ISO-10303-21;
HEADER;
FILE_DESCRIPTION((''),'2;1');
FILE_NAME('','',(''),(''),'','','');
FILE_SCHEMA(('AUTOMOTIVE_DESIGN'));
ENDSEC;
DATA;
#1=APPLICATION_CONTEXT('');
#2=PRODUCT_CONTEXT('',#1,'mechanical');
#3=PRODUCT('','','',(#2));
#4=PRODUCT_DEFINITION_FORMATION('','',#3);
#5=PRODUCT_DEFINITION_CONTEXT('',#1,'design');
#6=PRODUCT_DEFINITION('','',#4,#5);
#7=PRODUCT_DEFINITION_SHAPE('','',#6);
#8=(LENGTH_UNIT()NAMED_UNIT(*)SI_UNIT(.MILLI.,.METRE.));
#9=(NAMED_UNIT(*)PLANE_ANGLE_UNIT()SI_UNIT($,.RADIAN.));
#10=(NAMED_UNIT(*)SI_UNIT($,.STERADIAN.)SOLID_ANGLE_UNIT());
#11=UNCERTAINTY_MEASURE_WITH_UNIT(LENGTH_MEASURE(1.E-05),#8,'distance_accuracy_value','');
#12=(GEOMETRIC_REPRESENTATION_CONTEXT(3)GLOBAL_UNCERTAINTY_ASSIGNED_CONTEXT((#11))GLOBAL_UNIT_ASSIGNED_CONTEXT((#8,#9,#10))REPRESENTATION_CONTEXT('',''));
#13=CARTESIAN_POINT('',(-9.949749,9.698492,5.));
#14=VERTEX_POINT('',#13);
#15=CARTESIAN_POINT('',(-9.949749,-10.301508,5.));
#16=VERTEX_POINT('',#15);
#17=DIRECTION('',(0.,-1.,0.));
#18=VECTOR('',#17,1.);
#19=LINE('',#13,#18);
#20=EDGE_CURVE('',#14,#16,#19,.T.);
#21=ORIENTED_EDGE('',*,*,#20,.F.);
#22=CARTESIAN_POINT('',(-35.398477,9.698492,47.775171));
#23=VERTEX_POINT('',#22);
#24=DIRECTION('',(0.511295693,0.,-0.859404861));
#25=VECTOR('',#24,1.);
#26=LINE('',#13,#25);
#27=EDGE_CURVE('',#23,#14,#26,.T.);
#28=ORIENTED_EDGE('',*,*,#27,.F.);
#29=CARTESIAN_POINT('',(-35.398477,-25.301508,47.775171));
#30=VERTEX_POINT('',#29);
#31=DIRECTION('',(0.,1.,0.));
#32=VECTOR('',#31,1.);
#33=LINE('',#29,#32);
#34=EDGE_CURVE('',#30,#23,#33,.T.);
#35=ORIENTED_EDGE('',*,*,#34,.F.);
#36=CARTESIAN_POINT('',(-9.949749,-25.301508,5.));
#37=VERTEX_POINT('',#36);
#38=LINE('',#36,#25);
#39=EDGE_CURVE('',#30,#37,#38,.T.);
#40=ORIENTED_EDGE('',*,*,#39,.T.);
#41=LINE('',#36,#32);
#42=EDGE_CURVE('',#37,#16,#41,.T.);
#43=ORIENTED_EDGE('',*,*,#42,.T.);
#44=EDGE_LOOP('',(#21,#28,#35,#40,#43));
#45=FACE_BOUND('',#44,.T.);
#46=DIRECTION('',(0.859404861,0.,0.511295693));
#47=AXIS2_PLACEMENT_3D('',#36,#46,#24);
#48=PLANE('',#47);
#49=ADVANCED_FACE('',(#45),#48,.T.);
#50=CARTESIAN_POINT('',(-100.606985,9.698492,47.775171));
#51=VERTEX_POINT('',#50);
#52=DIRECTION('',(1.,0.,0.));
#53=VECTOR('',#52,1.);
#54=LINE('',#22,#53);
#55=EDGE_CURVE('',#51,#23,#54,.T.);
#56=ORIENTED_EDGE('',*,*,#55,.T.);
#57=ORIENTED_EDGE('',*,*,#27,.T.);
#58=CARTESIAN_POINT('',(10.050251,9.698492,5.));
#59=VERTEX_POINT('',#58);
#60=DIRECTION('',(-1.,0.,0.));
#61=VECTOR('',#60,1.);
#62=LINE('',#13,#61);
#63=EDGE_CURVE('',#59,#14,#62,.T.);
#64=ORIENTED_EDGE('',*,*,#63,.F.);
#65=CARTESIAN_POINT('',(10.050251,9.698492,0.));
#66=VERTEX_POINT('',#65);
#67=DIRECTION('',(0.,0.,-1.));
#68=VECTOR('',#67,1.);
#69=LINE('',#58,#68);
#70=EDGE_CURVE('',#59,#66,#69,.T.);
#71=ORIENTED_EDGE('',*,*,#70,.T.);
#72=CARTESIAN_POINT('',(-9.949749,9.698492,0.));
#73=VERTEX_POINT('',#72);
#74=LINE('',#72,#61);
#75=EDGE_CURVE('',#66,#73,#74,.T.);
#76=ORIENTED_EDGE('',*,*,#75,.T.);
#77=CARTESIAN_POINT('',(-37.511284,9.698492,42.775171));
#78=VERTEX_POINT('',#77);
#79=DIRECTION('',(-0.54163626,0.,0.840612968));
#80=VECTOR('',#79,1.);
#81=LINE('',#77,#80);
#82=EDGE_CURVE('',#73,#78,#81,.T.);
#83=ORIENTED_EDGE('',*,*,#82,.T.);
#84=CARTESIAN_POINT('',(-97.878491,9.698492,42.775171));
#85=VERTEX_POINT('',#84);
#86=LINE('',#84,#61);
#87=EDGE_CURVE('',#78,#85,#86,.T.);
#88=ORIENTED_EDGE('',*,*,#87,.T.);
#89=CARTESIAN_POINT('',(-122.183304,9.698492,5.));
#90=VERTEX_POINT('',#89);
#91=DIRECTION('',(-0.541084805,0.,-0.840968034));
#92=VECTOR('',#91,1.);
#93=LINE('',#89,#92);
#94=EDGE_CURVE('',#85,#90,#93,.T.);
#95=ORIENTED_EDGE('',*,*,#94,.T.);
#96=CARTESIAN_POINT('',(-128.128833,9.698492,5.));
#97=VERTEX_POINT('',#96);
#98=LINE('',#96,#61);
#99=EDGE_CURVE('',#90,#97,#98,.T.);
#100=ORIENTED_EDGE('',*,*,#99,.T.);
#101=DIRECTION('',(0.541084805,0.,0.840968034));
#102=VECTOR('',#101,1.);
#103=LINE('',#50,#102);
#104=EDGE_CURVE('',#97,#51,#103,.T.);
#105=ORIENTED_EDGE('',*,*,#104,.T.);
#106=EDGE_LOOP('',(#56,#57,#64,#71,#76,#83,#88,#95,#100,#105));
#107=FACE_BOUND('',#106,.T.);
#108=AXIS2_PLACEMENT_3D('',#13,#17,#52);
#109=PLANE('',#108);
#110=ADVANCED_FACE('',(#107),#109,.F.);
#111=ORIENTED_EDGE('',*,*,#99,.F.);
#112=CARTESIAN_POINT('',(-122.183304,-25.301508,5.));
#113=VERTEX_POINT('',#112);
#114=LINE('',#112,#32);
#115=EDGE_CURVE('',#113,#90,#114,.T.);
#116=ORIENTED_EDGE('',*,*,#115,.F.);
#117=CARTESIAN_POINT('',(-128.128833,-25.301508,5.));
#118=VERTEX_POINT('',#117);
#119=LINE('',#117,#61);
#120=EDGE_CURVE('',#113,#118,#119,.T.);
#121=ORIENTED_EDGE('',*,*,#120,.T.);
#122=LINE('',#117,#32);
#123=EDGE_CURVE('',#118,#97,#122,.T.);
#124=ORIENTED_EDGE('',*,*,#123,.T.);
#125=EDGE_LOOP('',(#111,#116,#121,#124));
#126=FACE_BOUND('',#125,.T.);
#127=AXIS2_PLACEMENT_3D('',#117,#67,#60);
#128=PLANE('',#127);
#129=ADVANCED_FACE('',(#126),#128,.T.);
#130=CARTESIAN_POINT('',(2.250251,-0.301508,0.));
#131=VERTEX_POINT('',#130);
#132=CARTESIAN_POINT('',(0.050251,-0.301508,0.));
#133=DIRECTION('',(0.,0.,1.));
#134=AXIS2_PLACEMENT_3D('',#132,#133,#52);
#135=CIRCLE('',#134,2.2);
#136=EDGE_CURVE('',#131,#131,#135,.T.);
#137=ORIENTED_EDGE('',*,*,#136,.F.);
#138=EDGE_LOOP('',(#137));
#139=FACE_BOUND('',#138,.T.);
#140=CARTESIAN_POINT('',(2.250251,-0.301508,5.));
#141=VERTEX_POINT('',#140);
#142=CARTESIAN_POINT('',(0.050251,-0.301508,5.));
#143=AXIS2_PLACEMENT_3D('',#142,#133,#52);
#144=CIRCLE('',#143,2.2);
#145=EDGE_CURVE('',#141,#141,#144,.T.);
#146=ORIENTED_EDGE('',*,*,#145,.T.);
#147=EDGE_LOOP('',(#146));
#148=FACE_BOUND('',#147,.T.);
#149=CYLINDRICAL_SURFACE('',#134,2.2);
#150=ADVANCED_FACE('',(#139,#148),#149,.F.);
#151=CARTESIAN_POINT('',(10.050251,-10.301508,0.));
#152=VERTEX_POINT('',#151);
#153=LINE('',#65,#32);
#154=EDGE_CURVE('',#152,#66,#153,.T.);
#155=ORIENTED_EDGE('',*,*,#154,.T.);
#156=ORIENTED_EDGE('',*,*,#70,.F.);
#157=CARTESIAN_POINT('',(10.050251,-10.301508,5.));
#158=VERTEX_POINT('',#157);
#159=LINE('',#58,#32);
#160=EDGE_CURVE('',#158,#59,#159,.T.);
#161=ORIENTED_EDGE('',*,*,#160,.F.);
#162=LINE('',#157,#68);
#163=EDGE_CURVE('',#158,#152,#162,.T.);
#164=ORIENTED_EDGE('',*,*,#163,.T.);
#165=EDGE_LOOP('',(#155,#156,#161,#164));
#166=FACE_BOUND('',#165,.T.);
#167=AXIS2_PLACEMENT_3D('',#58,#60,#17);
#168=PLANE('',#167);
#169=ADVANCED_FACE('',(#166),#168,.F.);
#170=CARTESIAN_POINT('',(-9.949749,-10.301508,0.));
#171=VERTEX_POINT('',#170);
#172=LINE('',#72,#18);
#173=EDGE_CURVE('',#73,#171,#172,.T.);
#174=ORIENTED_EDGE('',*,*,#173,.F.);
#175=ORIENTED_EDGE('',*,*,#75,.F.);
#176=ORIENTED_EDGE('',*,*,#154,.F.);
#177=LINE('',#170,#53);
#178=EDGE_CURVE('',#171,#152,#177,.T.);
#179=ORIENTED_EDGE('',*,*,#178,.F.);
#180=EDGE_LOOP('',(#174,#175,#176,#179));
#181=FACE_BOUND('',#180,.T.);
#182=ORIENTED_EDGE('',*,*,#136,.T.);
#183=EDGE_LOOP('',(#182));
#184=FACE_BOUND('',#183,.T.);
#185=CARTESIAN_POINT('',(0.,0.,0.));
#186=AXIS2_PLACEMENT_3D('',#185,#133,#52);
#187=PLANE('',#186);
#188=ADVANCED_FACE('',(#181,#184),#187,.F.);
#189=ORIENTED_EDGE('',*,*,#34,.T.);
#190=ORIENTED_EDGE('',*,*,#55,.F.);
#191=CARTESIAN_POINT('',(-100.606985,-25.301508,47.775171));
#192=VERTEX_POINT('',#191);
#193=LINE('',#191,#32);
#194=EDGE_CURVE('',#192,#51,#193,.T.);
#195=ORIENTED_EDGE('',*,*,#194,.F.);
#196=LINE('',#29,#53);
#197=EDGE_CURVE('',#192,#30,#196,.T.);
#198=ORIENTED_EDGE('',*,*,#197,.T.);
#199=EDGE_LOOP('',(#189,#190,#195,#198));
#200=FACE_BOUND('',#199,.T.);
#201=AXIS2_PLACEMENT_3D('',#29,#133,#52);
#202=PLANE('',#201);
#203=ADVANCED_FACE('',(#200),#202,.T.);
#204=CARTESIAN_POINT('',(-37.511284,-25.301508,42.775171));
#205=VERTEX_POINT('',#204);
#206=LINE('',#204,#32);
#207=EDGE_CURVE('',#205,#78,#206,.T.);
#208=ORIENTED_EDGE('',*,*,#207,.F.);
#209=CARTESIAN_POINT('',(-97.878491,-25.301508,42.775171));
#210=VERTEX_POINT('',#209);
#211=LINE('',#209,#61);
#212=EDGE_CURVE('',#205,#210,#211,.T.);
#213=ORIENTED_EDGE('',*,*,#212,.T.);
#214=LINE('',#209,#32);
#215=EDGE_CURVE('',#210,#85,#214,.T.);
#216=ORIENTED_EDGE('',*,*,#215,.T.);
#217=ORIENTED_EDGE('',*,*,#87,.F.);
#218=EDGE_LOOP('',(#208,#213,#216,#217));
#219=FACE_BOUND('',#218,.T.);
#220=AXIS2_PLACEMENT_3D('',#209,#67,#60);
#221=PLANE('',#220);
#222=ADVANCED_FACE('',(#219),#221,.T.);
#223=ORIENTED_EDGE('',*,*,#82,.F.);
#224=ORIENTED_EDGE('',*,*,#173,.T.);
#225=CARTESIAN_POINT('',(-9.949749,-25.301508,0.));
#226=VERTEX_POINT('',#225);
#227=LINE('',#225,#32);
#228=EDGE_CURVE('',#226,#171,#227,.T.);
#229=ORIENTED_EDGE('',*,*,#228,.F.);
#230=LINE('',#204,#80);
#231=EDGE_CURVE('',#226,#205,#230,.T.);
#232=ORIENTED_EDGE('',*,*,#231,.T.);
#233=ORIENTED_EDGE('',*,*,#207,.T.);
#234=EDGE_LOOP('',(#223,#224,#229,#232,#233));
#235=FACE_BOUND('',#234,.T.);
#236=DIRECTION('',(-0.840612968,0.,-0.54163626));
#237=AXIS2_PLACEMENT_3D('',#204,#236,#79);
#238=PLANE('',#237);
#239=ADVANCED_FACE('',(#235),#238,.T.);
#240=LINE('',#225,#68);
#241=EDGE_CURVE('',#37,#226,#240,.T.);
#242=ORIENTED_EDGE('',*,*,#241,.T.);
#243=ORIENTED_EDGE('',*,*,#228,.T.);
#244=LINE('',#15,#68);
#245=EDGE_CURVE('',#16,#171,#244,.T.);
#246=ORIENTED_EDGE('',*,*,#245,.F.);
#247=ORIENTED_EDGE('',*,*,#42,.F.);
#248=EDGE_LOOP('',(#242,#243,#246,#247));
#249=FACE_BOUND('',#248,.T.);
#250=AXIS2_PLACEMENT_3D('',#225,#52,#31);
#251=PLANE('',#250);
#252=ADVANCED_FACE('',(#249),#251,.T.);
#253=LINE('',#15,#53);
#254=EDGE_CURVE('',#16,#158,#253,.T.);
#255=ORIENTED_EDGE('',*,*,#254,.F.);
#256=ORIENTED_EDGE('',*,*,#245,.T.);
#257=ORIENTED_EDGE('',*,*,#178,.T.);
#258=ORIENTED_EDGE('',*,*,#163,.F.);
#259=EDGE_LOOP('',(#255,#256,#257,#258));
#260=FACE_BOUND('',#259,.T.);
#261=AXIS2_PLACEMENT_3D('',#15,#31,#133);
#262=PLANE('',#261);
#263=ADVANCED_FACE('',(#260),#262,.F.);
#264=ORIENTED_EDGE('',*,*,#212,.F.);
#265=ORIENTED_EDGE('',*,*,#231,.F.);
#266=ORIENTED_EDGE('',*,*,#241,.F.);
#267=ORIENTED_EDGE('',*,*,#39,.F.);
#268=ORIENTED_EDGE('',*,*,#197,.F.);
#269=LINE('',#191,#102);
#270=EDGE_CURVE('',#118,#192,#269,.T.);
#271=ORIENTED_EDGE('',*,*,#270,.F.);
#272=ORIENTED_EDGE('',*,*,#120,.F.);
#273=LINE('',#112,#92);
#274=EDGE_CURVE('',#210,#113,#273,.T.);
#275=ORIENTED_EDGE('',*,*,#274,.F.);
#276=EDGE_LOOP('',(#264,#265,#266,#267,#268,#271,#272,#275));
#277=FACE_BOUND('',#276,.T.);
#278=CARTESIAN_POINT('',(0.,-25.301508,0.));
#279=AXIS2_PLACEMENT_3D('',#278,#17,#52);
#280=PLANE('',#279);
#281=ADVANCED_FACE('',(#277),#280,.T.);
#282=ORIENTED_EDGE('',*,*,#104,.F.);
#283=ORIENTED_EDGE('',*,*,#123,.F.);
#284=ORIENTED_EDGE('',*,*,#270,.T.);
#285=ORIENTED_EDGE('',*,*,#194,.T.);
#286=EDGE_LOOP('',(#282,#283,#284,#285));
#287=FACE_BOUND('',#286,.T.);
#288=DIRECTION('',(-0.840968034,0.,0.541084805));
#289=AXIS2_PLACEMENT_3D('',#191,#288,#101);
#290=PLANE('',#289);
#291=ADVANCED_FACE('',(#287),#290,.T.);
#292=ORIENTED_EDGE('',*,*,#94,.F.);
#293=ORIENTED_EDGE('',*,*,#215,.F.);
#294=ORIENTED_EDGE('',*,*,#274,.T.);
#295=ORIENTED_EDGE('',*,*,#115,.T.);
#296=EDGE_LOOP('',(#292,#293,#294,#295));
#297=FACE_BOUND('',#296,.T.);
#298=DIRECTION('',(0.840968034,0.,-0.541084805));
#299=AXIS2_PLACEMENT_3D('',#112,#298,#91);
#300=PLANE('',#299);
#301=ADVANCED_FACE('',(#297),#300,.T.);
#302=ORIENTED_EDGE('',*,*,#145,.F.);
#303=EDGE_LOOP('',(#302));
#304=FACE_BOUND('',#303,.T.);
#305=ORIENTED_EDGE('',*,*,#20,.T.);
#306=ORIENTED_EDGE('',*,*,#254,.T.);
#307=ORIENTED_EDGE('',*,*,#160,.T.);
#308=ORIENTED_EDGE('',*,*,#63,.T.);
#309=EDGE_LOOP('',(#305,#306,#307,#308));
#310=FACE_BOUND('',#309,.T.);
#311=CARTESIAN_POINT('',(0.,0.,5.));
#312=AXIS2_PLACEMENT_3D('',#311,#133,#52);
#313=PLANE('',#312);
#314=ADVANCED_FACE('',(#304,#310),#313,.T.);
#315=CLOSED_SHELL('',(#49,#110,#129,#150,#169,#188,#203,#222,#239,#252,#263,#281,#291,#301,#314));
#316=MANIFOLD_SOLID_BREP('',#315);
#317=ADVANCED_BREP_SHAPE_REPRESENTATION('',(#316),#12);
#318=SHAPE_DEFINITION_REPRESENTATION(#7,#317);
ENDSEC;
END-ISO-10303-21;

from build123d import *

# Parameters (mm, degrees)
ESQUISSE2_W             = 20
ESQUISSE2_H             = 20
BOSS_EXTRU_1_DEPTH      = 5
ESQUISSE3_R             = 2.2
ENL_V_MAT_EXTRU_1_DEPTH = 5
BOSS_EXTRU_2_DEPTH      = 35


with BuildPart() as part:
    # Esquisse2 → Boss.-Extru.1 (new body)
    with BuildSketch(Plane.XY):
        with Locations((0.050251256, -0.301507538)):
            Rectangle(ESQUISSE2_W, ESQUISSE2_H)
    extrude(amount=BOSS_EXTRU_1_DEPTH)

    # Esquisse3 → Enlèv. mat.-Extru.1 (cut)
    with BuildSketch(Plane.XY.offset(5)):
        with Locations((0.050251256, -0.301507538)):
            Circle(ESQUISSE3_R)
    extrude(amount=-ENL_V_MAT_EXTRU_1_DEPTH, mode=Mode.SUBTRACT)

    # Esquisse4 → Boss.-Extru.2 (add)
    with BuildSketch(Plane(origin=(0, 9.698492462, 0), x_dir=(1, 0, 0), z_dir=(0, 1, 0))):
        Polygon((-9.949748744, -5), (-35.398476961, -47.775171076), (-100.606984649, -47.775171076), (-128.128833484, -5), (-122.183304286, -5), (-97.878490958, -42.775171076), (-37.511283693, -42.775171076), (-9.949748744, 0), align=None)
    extrude(amount=-BOSS_EXTRU_2_DEPTH)


solid = part.part
